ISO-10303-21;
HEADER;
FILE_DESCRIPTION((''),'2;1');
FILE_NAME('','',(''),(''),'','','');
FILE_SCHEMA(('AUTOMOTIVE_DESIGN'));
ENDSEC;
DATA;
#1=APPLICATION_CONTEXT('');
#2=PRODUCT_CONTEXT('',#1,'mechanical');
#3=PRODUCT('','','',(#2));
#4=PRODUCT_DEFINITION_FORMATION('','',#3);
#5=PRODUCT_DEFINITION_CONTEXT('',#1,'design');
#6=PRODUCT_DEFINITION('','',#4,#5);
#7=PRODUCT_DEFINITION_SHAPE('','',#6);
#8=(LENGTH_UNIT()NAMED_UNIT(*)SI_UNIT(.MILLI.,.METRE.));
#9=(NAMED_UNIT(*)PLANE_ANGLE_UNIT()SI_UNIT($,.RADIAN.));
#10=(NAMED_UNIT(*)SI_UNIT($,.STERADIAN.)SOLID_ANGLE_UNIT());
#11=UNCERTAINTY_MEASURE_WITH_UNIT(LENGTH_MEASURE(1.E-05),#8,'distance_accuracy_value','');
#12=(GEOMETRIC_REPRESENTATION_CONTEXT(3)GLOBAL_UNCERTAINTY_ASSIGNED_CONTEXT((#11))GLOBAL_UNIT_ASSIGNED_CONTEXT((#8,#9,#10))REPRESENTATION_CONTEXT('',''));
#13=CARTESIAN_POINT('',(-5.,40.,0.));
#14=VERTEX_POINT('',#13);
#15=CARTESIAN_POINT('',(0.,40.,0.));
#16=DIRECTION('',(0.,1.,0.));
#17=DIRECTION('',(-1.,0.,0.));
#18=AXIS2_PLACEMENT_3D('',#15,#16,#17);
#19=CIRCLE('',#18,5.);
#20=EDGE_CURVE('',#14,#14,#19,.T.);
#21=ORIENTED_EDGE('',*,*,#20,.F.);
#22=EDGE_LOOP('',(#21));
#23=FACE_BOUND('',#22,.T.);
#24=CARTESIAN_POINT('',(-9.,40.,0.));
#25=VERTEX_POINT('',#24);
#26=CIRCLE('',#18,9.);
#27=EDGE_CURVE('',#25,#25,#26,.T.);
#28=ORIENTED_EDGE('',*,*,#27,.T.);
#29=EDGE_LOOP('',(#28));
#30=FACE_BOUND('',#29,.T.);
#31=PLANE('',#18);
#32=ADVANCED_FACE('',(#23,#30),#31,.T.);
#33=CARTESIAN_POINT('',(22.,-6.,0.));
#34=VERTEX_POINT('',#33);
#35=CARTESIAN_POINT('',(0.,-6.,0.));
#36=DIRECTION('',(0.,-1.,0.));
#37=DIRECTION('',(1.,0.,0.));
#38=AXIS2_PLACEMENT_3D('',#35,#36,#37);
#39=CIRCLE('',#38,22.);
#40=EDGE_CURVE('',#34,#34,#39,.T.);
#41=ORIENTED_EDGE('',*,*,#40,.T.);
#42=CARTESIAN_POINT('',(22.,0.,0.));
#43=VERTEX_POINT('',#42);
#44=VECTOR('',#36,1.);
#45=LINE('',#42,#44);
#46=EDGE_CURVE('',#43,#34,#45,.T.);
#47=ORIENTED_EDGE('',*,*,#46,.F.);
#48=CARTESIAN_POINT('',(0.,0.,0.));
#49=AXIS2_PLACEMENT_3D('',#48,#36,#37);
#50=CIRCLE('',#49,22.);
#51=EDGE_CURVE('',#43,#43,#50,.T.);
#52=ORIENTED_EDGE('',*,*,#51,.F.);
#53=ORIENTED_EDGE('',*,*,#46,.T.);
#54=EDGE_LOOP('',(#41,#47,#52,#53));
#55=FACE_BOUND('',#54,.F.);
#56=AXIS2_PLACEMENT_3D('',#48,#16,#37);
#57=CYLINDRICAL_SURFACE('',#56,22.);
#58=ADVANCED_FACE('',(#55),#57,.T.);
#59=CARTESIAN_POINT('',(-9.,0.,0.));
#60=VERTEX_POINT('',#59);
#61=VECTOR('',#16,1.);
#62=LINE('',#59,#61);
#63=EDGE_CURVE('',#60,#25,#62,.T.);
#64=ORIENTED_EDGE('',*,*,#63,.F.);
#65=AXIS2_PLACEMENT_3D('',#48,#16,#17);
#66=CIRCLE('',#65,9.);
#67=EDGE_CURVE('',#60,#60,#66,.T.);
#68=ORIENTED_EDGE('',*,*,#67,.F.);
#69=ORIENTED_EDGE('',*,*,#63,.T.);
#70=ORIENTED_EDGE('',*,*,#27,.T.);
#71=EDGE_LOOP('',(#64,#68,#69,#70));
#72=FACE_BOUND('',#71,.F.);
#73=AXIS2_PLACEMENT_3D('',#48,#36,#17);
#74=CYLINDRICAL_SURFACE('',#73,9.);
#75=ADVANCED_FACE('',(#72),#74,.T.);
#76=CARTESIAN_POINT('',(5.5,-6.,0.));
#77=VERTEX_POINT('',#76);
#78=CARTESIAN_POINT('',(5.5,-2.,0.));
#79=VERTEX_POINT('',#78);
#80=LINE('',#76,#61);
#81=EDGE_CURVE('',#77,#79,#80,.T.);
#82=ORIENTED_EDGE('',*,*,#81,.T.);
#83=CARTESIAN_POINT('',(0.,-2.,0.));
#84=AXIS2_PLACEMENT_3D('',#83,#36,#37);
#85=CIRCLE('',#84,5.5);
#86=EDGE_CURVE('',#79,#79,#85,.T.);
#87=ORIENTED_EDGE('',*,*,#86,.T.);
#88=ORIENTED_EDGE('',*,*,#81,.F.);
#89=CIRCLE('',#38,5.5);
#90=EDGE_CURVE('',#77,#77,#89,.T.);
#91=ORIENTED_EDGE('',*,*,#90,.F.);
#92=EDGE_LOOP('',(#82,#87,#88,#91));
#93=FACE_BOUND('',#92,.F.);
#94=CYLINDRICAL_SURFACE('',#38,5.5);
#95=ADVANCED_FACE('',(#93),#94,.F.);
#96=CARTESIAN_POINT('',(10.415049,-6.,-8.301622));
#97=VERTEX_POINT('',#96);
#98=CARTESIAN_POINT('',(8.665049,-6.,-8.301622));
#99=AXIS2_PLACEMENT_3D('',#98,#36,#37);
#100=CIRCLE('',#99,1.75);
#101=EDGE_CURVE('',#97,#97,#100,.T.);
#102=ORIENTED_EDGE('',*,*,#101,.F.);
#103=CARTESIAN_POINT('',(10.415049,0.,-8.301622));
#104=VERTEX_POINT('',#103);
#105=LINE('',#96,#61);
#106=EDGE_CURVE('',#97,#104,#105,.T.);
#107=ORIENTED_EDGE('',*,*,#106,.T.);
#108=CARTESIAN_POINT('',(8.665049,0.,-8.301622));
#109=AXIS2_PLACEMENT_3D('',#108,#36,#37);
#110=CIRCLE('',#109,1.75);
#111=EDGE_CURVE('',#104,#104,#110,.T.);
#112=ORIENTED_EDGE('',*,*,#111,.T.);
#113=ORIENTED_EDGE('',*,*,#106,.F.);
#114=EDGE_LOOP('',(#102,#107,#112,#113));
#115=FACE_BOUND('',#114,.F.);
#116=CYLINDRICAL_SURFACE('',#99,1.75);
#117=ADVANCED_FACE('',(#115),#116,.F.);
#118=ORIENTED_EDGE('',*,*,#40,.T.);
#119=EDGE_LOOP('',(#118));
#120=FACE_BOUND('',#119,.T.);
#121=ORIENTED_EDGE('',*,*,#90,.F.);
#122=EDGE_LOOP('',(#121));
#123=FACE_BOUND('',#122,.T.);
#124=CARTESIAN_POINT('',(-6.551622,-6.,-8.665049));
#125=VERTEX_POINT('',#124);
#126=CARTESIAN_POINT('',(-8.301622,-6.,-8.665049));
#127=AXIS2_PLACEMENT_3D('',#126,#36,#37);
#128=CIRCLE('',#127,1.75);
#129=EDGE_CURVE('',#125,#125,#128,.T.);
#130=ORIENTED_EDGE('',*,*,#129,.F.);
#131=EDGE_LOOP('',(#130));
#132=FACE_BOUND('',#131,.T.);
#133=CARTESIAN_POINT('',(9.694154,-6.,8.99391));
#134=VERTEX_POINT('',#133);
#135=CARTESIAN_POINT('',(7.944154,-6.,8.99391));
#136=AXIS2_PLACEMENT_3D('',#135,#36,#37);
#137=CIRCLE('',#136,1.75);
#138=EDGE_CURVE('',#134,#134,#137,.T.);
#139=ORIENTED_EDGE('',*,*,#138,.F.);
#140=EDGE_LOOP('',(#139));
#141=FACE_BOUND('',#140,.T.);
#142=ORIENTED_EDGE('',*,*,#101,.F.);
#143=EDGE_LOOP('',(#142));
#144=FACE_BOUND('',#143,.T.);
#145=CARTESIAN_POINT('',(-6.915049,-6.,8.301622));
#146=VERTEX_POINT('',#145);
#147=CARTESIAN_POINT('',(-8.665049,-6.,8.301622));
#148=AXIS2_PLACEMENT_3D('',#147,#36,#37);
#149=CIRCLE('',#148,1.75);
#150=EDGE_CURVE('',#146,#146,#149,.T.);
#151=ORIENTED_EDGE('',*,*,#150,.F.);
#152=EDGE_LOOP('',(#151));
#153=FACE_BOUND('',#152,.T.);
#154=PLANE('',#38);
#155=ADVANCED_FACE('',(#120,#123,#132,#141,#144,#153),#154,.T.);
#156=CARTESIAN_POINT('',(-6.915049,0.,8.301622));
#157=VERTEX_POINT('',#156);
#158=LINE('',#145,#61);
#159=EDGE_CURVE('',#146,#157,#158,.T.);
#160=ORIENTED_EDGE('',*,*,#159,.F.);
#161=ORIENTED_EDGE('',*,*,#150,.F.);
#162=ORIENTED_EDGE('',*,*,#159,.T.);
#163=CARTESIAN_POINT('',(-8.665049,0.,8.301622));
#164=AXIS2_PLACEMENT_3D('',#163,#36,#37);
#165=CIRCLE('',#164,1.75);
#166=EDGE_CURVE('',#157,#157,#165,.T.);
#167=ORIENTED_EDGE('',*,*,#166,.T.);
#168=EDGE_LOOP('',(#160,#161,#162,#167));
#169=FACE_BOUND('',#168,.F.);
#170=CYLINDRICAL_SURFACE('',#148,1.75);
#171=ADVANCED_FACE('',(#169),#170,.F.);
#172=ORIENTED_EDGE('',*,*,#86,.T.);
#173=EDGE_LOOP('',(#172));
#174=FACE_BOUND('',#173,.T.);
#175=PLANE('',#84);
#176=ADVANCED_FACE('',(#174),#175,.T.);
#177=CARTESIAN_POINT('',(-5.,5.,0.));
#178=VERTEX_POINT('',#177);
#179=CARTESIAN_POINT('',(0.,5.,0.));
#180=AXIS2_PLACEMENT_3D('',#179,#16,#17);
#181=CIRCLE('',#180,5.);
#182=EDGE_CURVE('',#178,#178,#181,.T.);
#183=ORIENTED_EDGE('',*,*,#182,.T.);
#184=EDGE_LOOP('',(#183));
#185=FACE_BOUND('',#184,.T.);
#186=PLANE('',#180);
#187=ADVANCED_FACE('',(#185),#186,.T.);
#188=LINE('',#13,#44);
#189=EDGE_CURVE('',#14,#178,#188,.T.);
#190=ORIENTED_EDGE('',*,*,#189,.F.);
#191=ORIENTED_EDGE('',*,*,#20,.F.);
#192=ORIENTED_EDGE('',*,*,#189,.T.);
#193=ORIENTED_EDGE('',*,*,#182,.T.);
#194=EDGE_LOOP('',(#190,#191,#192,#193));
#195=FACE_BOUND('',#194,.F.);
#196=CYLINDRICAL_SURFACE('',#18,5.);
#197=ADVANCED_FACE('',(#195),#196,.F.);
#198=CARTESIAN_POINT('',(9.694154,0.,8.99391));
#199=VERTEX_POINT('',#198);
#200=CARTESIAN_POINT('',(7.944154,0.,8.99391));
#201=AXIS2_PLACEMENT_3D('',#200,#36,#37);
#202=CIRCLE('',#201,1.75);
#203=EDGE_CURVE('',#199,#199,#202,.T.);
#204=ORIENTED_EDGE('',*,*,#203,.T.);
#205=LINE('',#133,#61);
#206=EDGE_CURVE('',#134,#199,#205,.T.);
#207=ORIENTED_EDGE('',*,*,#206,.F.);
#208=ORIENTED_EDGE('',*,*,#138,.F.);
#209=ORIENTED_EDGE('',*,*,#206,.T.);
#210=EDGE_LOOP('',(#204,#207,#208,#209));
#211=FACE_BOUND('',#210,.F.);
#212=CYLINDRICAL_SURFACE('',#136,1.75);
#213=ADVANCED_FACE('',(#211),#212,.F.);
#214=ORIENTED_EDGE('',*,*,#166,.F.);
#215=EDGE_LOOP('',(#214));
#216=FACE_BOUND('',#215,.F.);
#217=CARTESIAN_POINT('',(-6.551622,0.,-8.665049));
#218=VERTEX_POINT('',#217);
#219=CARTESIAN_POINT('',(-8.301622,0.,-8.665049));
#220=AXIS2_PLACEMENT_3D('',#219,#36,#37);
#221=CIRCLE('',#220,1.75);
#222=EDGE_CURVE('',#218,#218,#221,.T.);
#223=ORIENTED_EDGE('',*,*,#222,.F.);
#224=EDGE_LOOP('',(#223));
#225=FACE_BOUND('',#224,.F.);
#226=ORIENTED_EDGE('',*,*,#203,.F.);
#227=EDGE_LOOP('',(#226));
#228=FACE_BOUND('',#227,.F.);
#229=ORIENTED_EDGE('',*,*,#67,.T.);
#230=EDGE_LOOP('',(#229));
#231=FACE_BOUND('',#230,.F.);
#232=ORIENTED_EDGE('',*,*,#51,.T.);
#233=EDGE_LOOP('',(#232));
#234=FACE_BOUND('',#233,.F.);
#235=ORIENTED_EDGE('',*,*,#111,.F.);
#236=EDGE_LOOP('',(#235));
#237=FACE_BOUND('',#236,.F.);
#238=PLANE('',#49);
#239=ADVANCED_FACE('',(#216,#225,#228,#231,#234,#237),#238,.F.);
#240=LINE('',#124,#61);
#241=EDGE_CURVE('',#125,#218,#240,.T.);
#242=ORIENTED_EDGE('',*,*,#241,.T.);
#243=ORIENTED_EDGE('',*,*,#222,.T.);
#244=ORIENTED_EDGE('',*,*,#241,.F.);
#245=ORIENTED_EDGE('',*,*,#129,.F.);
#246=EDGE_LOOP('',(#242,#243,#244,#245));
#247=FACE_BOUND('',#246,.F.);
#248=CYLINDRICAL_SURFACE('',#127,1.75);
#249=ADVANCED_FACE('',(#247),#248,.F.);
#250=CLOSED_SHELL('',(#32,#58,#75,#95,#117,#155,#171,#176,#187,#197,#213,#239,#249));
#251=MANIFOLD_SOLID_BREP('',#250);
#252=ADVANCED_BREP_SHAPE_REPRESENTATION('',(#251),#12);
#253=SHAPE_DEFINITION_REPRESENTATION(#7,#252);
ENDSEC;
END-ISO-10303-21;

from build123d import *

# Parameters (mm, degrees)
F0_R     = 22
F1_DEPTH = 6
F2_R     = 1.75
F3_DEPTH = 6.001
F4_R     = 5.5
F5_DEPTH = 4
F6_R     = 9
F7_DEPTH = 40
F8_R     = 5
F9_DEPTH = 35


with BuildPart() as f1:
    # F0 (on Front) → F1 (new body)
    with BuildSketch(Plane.XZ):
        Circle(F0_R)
    extrude(amount=F1_DEPTH)

    # F2 (on face) → F3 (cut, through all)
    with BuildSketch(Plane.XZ.offset(6)):
        with Locations((-8.301622, -8.665049)):
            Circle(F2_R)
        with Locations((8.665049, -8.301622)):
            Circle(F2_R)
        with Locations((-8.665049, 8.301622)):
            Circle(F2_R)
        with Locations((7.944154, 8.99391)):
            Circle(F2_R)
    extrude(amount=-F3_DEPTH, mode=Mode.SUBTRACT)

    # F4 (on face) → F5 (cut)
    with BuildSketch(Plane.XZ.offset(6)):
        Circle(F4_R)
    extrude(amount=-F5_DEPTH, mode=Mode.SUBTRACT)

    # F6 (on face) → F7 (join)
    with BuildSketch(Plane(origin=(0, 0, 0), x_dir=(-1, 0, 0), z_dir=(0, 1, 0))):
        Circle(F6_R)
    extrude(amount=F7_DEPTH)

    # F8 (on face) → F9 (cut)
    with BuildSketch(Plane(origin=(0, 40, 0), x_dir=(-1, 0, 0), z_dir=(0, 1, 0))):
        Circle(F8_R)
    extrude(amount=-F9_DEPTH, mode=Mode.SUBTRACT)


solid = f1.part
